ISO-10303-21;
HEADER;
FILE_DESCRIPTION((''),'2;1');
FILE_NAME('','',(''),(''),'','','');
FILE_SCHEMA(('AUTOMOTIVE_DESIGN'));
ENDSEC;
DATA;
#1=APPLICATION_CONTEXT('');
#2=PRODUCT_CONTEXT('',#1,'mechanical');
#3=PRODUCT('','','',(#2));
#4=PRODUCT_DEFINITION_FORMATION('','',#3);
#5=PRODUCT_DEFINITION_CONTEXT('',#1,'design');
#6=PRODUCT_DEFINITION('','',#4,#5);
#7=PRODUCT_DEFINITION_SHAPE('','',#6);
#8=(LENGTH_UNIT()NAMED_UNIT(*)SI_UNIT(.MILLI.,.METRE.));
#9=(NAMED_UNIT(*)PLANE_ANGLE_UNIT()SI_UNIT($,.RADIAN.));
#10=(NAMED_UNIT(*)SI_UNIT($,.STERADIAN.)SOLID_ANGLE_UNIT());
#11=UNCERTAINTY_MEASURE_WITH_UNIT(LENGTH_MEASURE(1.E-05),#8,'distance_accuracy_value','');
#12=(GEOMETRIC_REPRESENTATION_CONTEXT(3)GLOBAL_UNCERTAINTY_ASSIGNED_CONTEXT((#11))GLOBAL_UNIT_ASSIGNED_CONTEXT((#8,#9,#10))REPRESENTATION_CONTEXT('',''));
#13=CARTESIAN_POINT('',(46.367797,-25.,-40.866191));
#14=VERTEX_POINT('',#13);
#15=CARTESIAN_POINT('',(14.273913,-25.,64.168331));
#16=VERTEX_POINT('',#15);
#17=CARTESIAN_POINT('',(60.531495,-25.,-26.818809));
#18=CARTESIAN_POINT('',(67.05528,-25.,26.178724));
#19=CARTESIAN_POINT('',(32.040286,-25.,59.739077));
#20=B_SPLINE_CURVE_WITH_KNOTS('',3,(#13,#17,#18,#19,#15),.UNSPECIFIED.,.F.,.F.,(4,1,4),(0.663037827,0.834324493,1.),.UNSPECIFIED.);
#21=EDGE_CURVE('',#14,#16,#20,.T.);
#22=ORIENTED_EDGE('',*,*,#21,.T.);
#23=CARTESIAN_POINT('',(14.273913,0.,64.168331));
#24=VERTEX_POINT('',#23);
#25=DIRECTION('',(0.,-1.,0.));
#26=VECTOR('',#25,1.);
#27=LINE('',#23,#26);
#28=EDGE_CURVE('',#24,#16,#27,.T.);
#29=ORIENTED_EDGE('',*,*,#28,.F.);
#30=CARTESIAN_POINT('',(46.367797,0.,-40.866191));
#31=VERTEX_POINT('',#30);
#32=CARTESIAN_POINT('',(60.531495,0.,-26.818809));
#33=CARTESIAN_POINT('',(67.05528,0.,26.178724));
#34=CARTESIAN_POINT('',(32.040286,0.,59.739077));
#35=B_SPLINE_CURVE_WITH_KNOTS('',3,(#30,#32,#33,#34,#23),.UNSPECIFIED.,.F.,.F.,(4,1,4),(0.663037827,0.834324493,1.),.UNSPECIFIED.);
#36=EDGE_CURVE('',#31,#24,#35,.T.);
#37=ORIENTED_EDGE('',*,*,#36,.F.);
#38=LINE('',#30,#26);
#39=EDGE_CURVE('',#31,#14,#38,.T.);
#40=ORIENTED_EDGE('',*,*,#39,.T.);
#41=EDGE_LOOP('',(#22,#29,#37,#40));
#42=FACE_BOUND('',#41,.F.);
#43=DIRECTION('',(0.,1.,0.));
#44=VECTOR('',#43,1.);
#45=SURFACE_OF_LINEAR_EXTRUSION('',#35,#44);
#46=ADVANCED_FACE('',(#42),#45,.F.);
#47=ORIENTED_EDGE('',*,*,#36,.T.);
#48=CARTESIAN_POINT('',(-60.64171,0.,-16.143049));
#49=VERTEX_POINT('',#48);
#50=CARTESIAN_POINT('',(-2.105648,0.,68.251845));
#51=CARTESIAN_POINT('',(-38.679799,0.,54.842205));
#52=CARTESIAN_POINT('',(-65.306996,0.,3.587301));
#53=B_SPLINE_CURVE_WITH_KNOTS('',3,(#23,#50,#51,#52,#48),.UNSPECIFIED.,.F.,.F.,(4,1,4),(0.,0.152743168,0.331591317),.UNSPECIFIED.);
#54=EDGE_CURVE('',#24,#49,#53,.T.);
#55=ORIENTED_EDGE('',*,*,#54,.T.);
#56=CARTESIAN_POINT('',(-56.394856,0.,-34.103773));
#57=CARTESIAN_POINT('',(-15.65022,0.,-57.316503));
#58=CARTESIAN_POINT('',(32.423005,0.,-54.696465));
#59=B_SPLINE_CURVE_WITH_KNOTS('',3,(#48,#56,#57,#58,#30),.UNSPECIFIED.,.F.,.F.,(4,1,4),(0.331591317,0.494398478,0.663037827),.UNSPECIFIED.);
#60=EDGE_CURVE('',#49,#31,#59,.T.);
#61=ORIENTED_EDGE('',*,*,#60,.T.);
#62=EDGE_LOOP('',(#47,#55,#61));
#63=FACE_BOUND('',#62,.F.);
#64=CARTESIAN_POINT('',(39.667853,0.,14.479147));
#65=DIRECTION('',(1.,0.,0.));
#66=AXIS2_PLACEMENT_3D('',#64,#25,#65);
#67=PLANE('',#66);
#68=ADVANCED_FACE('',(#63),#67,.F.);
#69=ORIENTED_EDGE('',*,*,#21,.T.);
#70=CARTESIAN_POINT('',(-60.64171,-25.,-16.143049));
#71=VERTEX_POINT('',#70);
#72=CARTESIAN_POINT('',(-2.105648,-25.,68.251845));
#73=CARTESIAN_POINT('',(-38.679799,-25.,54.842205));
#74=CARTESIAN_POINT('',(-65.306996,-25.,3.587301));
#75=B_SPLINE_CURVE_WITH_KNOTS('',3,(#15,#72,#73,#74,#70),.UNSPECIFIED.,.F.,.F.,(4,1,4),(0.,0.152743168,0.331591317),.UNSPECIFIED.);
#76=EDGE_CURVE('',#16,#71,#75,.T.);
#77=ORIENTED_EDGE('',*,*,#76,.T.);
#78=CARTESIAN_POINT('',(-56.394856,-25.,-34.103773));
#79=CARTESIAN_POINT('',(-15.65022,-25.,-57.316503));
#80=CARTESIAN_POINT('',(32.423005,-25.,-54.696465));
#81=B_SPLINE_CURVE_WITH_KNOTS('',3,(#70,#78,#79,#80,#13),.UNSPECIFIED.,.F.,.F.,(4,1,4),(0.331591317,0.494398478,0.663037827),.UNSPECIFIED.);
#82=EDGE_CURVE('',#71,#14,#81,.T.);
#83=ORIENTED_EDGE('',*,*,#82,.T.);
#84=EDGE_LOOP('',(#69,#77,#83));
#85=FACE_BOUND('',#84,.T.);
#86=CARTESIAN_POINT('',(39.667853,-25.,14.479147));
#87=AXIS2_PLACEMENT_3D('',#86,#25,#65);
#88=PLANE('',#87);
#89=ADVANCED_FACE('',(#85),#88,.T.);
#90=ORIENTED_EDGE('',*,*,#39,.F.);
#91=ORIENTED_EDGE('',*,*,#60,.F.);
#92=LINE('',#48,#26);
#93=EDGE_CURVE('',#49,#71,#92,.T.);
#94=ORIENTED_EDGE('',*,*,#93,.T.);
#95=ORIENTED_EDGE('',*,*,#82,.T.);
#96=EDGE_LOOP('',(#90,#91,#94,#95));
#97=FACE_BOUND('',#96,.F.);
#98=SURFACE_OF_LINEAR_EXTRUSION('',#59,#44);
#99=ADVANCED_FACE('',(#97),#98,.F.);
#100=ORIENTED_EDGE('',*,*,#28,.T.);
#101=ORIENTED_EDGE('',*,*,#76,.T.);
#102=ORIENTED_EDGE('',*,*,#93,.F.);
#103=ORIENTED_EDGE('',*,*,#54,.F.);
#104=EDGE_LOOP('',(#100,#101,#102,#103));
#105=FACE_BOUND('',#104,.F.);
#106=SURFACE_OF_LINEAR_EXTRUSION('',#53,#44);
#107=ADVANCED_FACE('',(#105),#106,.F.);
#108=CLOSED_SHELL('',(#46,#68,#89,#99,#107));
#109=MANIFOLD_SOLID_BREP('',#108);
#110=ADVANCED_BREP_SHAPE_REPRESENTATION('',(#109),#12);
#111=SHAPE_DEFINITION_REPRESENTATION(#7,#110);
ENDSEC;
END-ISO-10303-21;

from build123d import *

# Parameters (mm, degrees)
F1_DEPTH = 25


with BuildPart() as f1:
    # F0 (on Front) → F1 (new body)
    with BuildSketch(Plane.XZ):
        with BuildLine():
            add(Edge.make_bspline(
                [(46.3677966583, -40.866191285), (60.5314949171, -26.8188090558), (67.0552800257, 26.1787242604), (32.0402860919, 59.7390767103), (14.2739130568, 64.1683309994)],
                knots=[0.6630378271, 0.6630378271, 0.6630378271, 0.6630378271, 0.8343244929, 1, 1, 1, 1], degree=3))
            Line((14.2739130568, 64.1683309994), (46.3677966583, -40.866191285))
        make_face()
        Polygon((46.3677966583, -40.866191285), (14.2739130568, 64.1683309994), (-60.6417097151, -16.1430486478), align=None)
        with BuildLine():
            Line((-60.6417097151, -16.1430486478), (14.2739130568, 64.1683309994))
            add(Edge.make_bspline(
                [(14.2739130568, 64.1683309994), (-2.1056480748, 68.251845471), (-38.6797990109, 54.8422051815), (-65.3069955436, 3.5873014332), (-60.6417097151, -16.1430486478)],
                knots=[0, 0, 0, 0, 0.1527431677, 0.3315913165, 0.3315913165, 0.3315913165, 0.3315913165], degree=3))
        make_face()
        with BuildLine():
            add(Edge.make_bspline(
                [(-60.6417097151, -16.1430486478), (-56.3948558914, -34.1037729778), (-15.6502197467, -57.3165030653), (32.4230050929, -54.6964645404), (46.3677966583, -40.866191285)],
                knots=[0.3315913165, 0.3315913165, 0.3315913165, 0.3315913165, 0.4943984782, 0.6630378271, 0.6630378271, 0.6630378271, 0.6630378271], degree=3))
            Line((46.3677966583, -40.866191285), (-60.6417097151, -16.1430486478))
        make_face()
    extrude(amount=F1_DEPTH)


solid = f1.part
